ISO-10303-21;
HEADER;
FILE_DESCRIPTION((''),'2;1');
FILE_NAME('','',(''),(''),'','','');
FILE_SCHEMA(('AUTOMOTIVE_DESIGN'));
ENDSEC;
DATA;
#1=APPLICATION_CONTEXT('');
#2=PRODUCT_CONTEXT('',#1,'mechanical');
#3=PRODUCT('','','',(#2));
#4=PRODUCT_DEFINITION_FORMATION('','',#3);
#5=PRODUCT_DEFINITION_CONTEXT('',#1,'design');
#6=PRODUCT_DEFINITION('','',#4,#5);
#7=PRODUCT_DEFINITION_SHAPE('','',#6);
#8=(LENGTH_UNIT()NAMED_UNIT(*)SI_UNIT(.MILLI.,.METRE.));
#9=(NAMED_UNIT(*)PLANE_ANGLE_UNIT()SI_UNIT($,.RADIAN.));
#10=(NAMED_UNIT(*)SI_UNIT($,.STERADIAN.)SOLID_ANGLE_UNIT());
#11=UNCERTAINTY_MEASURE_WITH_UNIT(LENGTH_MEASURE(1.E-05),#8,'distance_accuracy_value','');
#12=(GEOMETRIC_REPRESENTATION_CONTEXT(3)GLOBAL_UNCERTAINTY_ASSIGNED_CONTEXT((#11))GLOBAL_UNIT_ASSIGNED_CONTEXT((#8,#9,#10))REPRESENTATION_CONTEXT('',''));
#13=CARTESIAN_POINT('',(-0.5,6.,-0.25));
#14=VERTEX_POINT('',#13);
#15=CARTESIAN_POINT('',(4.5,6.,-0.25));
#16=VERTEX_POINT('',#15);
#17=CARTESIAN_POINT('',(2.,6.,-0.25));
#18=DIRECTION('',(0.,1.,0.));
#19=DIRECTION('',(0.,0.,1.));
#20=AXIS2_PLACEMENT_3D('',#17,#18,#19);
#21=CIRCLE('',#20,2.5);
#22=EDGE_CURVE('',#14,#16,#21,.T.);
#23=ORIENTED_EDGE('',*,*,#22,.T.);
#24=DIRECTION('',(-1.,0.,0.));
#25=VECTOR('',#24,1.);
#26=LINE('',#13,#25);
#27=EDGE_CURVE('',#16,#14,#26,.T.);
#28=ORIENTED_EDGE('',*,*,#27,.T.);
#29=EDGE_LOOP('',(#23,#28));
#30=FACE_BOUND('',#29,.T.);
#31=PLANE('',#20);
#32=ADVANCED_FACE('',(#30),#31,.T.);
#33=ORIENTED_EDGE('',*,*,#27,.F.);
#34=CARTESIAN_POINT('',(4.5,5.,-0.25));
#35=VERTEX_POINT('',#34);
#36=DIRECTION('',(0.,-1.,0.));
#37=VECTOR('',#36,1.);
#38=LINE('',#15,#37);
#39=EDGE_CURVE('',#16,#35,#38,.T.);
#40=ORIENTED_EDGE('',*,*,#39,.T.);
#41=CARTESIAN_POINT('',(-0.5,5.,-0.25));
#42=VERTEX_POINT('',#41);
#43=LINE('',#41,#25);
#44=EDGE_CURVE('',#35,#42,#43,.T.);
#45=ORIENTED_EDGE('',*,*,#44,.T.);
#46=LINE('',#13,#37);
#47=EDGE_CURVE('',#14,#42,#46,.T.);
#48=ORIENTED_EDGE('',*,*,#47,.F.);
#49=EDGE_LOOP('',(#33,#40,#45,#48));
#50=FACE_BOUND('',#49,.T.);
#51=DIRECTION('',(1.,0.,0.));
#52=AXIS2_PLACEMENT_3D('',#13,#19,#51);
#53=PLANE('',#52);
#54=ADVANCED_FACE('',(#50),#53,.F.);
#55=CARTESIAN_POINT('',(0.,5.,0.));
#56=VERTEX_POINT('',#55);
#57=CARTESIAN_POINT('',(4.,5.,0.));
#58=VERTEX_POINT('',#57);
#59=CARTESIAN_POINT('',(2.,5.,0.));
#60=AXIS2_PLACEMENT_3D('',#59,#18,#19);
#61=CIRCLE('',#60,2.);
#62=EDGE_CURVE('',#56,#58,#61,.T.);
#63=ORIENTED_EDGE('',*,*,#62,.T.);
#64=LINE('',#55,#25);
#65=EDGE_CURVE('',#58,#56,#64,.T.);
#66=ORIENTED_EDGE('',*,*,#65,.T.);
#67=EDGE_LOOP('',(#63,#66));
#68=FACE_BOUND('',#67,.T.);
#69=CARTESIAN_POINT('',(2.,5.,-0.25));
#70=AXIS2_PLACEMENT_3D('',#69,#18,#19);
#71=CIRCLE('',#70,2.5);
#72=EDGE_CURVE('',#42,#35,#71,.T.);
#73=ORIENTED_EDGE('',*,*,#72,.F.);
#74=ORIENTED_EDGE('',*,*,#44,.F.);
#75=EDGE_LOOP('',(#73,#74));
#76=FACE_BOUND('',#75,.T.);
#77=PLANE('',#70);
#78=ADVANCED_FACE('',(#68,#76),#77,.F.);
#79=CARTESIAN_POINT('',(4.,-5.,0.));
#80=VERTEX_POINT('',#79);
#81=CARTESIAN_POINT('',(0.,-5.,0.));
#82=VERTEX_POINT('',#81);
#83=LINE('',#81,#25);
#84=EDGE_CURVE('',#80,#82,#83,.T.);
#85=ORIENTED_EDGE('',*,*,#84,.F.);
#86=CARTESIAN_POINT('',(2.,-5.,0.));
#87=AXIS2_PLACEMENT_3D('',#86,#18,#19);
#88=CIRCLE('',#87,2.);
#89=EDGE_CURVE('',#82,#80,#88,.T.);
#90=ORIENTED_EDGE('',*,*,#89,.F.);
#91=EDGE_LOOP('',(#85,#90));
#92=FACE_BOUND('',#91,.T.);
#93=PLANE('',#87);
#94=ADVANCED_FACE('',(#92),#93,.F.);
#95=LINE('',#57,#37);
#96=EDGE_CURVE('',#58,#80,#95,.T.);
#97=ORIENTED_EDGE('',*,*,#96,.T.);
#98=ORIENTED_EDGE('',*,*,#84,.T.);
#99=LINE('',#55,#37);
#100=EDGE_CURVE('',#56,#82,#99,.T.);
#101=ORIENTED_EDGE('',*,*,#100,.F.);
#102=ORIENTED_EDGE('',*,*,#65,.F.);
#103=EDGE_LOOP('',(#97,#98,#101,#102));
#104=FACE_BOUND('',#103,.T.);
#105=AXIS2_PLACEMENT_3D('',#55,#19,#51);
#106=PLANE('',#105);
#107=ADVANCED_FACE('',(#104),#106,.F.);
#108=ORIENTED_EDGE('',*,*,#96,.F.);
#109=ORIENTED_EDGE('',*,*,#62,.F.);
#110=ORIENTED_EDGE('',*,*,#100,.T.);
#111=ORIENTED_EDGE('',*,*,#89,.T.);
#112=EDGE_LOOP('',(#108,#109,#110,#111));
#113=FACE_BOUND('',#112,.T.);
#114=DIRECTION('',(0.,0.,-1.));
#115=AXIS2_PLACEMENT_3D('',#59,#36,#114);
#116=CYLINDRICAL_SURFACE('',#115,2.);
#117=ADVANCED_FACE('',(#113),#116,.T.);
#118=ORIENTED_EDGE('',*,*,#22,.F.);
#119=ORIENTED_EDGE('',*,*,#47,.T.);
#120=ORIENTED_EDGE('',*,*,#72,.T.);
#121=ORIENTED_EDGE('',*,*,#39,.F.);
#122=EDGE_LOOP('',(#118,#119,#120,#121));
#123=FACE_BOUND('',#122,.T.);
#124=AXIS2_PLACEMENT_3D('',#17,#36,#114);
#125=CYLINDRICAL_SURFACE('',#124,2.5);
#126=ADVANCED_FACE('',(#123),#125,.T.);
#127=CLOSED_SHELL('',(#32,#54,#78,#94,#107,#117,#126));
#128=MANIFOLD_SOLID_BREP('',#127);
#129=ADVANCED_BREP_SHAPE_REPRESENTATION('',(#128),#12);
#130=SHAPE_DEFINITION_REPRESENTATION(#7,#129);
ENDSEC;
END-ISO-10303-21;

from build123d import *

# Parameters (mm, degrees)
EXTRUDE_1_DEPTH = 5
EXTRUDE_2_DEPTH = 1


with BuildPart() as part:
    # 草图1 → 凸台-拉伸1 (new, symmetric)
    with BuildSketch(Plane(origin=(0, 0, 0), x_dir=(1, 0, 0), z_dir=(0, 1, 0))):
        with BuildLine():
            Line((0, 0), (4, 0))
            ThreePointArc((4, 0), (2, -2), (0, 0))
        make_face()
    extrude(amount=EXTRUDE_1_DEPTH, both=True)

    # 草图2 → 凸台-拉伸2 (add)
    with BuildSketch(Plane(origin=(0, 5, 0), x_dir=(1, 0, 0), z_dir=(0, 1, 0))):
        with BuildLine():
            Line((-0.5, 0.25), (4.5, 0.25))
            ThreePointArc((4.5, 0.25), (2, -2.25), (-0.5, 0.25))
        make_face()
    extrude(amount=EXTRUDE_2_DEPTH)


solid = part.part
